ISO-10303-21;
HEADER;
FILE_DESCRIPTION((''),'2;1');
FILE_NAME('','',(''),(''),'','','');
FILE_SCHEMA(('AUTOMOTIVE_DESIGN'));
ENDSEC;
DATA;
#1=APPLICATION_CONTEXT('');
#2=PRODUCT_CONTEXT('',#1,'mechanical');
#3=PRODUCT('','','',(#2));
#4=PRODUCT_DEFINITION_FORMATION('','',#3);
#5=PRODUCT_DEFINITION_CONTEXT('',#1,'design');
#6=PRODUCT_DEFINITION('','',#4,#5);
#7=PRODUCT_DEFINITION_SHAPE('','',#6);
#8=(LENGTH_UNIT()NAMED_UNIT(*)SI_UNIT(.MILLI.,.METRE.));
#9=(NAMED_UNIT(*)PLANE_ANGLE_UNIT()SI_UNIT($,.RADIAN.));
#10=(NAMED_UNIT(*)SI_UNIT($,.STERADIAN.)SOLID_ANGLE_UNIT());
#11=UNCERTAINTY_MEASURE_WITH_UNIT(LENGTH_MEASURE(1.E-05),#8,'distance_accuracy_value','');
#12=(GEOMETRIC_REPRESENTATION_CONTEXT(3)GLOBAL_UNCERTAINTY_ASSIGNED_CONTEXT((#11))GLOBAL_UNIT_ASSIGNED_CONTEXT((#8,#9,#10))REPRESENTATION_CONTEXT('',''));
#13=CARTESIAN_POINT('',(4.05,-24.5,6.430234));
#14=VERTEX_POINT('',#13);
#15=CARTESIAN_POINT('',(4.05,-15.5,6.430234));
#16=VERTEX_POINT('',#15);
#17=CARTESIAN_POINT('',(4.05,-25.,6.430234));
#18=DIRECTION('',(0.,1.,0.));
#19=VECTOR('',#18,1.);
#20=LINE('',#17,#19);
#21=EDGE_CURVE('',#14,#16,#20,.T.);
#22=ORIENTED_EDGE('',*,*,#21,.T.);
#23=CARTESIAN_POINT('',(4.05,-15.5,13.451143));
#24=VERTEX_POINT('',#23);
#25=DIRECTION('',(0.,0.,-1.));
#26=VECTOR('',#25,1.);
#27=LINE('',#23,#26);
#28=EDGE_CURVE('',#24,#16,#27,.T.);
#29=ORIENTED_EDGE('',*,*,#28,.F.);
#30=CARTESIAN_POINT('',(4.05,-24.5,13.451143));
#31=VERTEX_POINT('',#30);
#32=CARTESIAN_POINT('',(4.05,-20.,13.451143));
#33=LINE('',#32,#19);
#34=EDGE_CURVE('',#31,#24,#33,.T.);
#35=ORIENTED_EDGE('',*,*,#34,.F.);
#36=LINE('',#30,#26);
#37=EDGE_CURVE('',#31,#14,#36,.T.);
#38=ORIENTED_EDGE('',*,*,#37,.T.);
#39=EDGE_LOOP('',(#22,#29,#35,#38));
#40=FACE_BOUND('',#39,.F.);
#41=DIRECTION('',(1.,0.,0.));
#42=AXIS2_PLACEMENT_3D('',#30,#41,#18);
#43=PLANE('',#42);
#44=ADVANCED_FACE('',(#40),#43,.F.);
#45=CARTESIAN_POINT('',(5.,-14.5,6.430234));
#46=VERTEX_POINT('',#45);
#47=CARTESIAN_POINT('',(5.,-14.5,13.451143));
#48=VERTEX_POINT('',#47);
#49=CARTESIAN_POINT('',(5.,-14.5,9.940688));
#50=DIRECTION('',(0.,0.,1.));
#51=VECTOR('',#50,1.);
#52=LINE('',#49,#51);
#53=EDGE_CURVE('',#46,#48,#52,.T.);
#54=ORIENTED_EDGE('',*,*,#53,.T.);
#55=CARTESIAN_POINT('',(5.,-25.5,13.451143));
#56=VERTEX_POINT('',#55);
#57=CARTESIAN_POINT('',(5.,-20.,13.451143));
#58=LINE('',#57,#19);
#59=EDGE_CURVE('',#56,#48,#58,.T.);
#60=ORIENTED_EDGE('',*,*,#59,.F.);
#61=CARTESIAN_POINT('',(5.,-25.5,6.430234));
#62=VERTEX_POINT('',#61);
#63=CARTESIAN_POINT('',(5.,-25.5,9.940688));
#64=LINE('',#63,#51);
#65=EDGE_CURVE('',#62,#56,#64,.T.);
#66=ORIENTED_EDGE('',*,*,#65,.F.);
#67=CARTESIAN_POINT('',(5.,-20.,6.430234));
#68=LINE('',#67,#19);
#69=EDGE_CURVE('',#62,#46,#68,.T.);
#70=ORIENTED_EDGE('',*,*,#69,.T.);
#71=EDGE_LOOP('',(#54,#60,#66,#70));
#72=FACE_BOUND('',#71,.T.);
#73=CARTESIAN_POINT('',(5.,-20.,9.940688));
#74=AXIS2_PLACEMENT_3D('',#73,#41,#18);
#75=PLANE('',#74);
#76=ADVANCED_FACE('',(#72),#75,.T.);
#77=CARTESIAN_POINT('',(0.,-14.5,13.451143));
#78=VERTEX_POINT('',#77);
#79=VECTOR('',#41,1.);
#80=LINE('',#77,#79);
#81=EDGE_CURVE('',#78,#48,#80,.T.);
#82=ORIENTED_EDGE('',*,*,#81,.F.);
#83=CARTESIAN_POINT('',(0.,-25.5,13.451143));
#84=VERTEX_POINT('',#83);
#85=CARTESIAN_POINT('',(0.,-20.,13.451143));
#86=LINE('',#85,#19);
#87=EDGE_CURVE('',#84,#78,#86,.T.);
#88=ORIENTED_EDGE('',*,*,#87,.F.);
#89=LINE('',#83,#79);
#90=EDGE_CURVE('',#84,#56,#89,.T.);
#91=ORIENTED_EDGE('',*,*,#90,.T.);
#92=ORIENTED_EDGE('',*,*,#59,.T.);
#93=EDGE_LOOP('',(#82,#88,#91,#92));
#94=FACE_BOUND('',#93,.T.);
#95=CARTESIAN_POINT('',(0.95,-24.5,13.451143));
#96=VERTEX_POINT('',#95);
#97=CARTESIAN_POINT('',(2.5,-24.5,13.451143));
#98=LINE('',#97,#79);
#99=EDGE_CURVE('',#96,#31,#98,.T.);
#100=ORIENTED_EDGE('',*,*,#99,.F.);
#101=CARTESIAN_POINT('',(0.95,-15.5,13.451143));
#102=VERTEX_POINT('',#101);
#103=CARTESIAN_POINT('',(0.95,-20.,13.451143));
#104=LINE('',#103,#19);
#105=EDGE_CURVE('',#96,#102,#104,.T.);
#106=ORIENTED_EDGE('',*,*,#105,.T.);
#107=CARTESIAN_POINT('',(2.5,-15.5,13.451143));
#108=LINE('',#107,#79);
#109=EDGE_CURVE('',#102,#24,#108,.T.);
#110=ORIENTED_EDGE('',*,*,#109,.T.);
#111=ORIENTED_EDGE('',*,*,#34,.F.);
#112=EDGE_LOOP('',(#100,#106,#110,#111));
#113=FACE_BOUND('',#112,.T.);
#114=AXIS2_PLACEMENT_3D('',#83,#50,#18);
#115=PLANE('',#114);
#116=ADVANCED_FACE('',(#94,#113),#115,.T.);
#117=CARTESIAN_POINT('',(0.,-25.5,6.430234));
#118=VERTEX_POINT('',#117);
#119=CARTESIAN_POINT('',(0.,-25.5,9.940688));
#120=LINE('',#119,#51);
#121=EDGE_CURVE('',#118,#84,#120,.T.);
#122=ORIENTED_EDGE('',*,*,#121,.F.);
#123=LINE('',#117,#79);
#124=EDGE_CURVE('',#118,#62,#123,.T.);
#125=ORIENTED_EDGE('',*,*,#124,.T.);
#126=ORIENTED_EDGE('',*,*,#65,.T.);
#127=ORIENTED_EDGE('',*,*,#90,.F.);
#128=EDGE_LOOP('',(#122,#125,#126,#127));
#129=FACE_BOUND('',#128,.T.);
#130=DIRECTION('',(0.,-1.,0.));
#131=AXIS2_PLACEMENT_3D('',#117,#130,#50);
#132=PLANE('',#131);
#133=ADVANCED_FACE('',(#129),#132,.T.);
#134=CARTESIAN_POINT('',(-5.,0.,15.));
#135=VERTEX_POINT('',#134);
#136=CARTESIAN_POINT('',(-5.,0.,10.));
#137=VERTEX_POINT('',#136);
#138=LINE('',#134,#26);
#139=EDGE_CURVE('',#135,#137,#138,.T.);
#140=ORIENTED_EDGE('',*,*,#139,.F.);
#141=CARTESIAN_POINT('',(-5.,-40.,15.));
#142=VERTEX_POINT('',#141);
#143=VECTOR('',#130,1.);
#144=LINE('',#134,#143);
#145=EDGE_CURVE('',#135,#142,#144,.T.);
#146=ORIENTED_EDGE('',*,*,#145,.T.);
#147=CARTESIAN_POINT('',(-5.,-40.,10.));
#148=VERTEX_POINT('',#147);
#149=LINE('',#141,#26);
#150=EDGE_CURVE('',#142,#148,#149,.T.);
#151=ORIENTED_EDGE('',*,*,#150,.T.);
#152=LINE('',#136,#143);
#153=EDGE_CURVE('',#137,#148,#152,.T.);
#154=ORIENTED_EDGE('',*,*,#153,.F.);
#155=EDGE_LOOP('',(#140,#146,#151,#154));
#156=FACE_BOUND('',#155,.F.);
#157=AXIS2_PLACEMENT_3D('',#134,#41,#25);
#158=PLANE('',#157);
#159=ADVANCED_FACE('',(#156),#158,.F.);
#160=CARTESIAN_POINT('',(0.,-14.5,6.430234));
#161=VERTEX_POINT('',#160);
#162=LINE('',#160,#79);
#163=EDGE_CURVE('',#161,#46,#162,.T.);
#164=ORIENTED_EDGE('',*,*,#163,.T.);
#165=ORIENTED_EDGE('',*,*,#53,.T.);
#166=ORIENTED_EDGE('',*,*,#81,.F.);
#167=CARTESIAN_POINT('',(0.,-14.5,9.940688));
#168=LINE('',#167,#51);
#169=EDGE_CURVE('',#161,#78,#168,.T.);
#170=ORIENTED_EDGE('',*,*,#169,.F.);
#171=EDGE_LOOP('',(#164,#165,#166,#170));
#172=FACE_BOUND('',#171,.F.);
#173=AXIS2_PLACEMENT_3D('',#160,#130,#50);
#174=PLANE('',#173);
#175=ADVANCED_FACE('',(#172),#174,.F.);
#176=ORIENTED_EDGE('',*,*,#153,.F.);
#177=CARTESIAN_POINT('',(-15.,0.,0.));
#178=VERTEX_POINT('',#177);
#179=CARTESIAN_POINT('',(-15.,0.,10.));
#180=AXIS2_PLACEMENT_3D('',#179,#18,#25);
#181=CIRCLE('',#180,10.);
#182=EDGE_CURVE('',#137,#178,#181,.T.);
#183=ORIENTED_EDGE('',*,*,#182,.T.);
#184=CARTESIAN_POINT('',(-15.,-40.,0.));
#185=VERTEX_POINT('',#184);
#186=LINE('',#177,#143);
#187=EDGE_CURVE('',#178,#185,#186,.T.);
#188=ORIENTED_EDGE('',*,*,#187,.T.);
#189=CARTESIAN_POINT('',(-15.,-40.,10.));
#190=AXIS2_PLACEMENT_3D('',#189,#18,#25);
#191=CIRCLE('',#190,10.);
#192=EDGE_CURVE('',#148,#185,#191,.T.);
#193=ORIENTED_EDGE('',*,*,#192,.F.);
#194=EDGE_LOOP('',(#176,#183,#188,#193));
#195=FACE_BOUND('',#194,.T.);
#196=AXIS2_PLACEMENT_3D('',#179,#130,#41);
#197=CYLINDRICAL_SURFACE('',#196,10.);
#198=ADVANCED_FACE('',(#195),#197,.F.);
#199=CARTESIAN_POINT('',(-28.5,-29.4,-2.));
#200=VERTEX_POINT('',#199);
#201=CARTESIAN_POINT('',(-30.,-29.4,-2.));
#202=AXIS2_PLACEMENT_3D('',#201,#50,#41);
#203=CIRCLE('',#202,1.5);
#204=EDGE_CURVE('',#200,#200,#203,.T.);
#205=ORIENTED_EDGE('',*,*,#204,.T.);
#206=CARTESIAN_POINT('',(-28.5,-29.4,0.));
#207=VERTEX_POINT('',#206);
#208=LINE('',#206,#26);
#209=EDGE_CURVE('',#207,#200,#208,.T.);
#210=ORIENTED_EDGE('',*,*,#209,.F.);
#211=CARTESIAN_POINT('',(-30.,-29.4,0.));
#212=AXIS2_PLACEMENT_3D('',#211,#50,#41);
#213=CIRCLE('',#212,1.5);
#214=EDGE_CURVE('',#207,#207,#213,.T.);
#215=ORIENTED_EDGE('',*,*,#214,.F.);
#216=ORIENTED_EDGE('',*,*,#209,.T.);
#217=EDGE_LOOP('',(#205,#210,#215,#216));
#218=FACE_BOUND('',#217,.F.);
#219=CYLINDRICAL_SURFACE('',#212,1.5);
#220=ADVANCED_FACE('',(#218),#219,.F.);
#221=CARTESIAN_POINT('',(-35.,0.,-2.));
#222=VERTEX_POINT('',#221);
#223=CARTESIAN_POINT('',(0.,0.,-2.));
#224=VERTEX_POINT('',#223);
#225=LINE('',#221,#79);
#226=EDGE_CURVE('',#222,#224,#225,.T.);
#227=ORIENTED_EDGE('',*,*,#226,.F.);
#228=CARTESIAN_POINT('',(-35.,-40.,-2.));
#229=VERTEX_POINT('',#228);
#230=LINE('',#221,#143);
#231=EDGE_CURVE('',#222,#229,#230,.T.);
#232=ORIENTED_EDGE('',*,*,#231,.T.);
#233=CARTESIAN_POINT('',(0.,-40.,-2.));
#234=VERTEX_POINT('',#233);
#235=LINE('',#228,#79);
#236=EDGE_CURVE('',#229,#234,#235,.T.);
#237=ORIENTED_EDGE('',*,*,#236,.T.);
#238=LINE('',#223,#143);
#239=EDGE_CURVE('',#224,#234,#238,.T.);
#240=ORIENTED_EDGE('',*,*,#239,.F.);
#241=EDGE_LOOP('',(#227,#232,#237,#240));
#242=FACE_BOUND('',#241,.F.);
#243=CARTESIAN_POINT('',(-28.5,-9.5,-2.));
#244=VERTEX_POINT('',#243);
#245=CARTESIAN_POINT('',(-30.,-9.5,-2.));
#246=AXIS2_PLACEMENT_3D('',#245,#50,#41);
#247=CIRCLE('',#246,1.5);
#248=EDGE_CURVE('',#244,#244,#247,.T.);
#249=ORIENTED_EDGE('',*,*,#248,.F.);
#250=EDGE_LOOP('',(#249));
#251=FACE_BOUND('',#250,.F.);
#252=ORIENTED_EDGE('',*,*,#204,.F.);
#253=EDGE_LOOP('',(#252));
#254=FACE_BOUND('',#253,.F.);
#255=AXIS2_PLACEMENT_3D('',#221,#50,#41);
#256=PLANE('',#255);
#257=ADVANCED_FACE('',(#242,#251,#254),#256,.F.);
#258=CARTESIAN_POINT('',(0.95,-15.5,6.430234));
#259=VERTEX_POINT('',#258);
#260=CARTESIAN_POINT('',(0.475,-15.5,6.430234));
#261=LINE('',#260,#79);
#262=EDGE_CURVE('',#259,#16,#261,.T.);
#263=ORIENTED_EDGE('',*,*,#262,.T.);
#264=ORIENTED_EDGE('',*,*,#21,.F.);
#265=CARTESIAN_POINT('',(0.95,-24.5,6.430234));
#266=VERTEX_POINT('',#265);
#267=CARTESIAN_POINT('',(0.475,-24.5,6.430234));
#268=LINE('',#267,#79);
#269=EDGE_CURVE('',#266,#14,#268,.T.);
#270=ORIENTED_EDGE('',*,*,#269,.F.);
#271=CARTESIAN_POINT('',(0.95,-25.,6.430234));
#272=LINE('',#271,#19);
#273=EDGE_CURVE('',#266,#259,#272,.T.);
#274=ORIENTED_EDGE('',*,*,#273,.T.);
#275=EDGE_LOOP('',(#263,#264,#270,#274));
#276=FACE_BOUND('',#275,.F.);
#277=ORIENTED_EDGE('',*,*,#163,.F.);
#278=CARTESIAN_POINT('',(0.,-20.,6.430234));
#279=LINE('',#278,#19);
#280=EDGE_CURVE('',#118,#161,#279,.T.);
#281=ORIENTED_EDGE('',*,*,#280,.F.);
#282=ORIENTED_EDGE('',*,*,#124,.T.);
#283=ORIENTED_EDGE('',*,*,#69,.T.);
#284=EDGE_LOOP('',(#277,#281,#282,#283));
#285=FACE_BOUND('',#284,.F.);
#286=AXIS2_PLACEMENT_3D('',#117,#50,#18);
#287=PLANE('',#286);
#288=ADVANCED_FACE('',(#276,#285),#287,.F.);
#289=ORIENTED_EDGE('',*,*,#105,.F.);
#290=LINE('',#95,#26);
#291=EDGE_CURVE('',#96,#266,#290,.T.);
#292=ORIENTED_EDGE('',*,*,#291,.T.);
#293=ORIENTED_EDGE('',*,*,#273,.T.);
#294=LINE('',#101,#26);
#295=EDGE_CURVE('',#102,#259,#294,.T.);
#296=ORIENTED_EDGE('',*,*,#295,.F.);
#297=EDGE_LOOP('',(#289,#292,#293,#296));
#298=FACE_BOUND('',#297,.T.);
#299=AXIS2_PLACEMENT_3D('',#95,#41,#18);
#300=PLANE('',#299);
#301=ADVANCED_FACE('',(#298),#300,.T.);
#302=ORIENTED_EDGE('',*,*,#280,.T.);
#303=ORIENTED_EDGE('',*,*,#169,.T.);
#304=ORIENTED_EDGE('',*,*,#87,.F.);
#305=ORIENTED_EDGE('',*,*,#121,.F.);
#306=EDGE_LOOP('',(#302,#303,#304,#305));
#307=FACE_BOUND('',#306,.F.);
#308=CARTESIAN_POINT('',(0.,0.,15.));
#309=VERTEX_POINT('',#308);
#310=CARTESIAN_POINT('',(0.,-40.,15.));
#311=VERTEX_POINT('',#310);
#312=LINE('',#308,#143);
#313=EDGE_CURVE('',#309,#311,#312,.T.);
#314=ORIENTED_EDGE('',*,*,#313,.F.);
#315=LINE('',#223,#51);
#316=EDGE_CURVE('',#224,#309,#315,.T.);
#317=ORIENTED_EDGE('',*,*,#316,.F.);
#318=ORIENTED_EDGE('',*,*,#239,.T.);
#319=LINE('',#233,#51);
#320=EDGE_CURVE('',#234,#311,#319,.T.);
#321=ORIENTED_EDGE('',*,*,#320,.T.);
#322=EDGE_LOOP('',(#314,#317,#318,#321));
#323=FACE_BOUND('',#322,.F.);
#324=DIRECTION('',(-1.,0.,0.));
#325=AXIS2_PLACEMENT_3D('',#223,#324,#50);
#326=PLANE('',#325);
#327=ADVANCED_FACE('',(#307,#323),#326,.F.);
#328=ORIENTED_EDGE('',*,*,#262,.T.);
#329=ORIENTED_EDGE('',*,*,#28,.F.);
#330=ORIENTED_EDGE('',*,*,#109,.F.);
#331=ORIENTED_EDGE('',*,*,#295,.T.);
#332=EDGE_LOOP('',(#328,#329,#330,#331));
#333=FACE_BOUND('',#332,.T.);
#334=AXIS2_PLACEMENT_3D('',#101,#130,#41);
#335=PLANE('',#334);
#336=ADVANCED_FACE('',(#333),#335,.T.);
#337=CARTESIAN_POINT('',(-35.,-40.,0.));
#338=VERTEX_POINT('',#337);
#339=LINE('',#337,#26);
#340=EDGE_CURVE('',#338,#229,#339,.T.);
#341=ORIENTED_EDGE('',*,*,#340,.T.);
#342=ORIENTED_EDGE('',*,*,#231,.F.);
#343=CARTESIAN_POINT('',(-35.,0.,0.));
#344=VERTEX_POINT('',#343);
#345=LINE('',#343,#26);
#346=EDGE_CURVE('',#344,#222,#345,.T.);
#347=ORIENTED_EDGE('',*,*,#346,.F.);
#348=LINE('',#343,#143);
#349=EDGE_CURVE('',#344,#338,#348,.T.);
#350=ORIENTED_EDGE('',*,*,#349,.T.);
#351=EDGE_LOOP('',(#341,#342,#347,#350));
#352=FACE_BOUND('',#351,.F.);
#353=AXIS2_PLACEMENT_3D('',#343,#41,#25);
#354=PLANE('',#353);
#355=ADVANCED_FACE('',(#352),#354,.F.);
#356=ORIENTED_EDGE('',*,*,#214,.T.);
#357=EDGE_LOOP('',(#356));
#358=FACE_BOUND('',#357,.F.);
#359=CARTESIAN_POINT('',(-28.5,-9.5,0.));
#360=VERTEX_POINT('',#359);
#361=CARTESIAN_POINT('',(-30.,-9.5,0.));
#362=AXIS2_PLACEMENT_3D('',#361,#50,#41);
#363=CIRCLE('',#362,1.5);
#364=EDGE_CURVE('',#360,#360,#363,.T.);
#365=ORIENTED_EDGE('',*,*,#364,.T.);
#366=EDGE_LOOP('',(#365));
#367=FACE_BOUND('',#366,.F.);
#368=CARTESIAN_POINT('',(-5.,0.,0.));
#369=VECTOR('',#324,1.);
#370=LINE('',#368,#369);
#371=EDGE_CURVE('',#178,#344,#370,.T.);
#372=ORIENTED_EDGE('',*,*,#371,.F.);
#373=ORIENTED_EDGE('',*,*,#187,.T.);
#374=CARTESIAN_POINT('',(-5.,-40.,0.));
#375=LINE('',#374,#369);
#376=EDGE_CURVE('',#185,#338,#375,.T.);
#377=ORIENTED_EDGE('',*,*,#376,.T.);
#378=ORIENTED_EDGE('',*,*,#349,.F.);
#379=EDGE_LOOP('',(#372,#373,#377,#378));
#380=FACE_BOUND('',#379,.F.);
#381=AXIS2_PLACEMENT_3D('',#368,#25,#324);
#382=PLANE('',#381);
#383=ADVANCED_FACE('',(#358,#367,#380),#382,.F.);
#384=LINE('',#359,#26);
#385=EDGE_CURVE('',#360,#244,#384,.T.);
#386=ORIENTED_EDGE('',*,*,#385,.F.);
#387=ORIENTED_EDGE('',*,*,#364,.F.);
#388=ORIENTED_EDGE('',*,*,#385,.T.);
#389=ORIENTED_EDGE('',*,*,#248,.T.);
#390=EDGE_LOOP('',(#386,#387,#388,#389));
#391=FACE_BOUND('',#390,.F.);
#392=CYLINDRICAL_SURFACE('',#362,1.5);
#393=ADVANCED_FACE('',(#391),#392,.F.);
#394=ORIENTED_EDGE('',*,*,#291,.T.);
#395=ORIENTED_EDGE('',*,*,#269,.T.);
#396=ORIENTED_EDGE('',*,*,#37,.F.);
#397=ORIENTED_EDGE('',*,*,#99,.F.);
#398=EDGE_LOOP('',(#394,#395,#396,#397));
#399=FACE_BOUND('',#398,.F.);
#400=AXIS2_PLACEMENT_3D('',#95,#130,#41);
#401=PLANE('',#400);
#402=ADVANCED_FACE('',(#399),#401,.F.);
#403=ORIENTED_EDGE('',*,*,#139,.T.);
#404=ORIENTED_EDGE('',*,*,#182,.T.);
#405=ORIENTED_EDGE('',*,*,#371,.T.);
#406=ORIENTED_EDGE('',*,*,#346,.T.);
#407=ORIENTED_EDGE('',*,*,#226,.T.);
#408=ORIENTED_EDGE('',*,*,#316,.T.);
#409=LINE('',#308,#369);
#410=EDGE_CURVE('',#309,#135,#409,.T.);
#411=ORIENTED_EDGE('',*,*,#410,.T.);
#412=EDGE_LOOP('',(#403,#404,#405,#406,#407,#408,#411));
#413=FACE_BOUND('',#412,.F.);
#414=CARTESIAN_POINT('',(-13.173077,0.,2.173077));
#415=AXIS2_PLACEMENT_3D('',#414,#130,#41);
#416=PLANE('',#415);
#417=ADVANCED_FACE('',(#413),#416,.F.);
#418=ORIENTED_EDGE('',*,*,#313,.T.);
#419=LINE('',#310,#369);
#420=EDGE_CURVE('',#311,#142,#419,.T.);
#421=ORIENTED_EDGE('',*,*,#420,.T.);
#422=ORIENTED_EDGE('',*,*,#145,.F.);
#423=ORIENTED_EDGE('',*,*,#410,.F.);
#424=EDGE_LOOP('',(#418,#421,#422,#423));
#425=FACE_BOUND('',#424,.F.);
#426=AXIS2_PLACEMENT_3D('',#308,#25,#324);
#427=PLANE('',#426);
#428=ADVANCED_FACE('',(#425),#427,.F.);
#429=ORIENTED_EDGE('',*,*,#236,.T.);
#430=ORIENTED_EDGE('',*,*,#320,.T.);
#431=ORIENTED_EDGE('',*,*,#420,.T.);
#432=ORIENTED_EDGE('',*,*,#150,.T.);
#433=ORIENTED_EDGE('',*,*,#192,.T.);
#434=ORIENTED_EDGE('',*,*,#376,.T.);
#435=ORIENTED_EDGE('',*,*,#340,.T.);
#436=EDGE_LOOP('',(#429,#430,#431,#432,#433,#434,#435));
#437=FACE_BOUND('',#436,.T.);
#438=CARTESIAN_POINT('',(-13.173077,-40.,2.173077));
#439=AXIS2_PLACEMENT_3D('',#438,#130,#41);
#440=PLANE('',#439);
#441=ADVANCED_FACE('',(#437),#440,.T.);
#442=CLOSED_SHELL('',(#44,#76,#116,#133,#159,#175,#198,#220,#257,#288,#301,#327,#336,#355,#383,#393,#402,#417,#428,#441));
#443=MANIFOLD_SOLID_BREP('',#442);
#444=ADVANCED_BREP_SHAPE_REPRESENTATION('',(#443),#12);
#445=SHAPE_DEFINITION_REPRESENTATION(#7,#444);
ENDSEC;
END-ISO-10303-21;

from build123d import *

# Parameters (mm, degrees)
F1_DEPTH = 40
F2_R     = 10
F3_R     = 1.5
F4_DEPTH = 6
F5_W     = 11
F5_H     = 7.0209084079
F6_DEPTH = 5
F7_W     = 3.1
F7_H     = 9
F8_DEPTH = 25


with BuildPart() as f1:
    # F0 (on Front) → F1 (new body)
    with BuildSketch(Plane.XZ):
        Polygon((-5, 15), (-5, 0), (-35, 0), (-35, -2), (-5, -2), (0, -2), (0, 0), (0, 15), align=None)
    extrude(amount=F1_DEPTH)

    # F2
    f2_edges = [f1.edges().sort_by_distance(p)[0] for p in [
        (-5, -20, 0),
    ]]
    fillet(f2_edges, radius=F2_R)

    # F3 (on face) → F4 (cut)
    with BuildSketch(Plane.XY):
        with Locations((-30, -9.5)):
            Circle(F3_R)
        with Locations((-30, -29.4)):
            Circle(F3_R)
    extrude(amount=-F4_DEPTH, mode=Mode.SUBTRACT)

    # F5 (on face) → F6 (join)
    with BuildSketch(Plane.YZ):
        with Locations((-20, 9.9406884983)):
            Rectangle(F5_W, F5_H)
    extrude(amount=F6_DEPTH)

    # F7 (on face) → F8 (cut)
    with BuildSketch(Plane.XY.offset(13.4511427023)):
        with Locations((2.5, -20)):
            Rectangle(F7_W, F7_H)
    extrude(amount=-F8_DEPTH, mode=Mode.SUBTRACT)


solid = f1.part
